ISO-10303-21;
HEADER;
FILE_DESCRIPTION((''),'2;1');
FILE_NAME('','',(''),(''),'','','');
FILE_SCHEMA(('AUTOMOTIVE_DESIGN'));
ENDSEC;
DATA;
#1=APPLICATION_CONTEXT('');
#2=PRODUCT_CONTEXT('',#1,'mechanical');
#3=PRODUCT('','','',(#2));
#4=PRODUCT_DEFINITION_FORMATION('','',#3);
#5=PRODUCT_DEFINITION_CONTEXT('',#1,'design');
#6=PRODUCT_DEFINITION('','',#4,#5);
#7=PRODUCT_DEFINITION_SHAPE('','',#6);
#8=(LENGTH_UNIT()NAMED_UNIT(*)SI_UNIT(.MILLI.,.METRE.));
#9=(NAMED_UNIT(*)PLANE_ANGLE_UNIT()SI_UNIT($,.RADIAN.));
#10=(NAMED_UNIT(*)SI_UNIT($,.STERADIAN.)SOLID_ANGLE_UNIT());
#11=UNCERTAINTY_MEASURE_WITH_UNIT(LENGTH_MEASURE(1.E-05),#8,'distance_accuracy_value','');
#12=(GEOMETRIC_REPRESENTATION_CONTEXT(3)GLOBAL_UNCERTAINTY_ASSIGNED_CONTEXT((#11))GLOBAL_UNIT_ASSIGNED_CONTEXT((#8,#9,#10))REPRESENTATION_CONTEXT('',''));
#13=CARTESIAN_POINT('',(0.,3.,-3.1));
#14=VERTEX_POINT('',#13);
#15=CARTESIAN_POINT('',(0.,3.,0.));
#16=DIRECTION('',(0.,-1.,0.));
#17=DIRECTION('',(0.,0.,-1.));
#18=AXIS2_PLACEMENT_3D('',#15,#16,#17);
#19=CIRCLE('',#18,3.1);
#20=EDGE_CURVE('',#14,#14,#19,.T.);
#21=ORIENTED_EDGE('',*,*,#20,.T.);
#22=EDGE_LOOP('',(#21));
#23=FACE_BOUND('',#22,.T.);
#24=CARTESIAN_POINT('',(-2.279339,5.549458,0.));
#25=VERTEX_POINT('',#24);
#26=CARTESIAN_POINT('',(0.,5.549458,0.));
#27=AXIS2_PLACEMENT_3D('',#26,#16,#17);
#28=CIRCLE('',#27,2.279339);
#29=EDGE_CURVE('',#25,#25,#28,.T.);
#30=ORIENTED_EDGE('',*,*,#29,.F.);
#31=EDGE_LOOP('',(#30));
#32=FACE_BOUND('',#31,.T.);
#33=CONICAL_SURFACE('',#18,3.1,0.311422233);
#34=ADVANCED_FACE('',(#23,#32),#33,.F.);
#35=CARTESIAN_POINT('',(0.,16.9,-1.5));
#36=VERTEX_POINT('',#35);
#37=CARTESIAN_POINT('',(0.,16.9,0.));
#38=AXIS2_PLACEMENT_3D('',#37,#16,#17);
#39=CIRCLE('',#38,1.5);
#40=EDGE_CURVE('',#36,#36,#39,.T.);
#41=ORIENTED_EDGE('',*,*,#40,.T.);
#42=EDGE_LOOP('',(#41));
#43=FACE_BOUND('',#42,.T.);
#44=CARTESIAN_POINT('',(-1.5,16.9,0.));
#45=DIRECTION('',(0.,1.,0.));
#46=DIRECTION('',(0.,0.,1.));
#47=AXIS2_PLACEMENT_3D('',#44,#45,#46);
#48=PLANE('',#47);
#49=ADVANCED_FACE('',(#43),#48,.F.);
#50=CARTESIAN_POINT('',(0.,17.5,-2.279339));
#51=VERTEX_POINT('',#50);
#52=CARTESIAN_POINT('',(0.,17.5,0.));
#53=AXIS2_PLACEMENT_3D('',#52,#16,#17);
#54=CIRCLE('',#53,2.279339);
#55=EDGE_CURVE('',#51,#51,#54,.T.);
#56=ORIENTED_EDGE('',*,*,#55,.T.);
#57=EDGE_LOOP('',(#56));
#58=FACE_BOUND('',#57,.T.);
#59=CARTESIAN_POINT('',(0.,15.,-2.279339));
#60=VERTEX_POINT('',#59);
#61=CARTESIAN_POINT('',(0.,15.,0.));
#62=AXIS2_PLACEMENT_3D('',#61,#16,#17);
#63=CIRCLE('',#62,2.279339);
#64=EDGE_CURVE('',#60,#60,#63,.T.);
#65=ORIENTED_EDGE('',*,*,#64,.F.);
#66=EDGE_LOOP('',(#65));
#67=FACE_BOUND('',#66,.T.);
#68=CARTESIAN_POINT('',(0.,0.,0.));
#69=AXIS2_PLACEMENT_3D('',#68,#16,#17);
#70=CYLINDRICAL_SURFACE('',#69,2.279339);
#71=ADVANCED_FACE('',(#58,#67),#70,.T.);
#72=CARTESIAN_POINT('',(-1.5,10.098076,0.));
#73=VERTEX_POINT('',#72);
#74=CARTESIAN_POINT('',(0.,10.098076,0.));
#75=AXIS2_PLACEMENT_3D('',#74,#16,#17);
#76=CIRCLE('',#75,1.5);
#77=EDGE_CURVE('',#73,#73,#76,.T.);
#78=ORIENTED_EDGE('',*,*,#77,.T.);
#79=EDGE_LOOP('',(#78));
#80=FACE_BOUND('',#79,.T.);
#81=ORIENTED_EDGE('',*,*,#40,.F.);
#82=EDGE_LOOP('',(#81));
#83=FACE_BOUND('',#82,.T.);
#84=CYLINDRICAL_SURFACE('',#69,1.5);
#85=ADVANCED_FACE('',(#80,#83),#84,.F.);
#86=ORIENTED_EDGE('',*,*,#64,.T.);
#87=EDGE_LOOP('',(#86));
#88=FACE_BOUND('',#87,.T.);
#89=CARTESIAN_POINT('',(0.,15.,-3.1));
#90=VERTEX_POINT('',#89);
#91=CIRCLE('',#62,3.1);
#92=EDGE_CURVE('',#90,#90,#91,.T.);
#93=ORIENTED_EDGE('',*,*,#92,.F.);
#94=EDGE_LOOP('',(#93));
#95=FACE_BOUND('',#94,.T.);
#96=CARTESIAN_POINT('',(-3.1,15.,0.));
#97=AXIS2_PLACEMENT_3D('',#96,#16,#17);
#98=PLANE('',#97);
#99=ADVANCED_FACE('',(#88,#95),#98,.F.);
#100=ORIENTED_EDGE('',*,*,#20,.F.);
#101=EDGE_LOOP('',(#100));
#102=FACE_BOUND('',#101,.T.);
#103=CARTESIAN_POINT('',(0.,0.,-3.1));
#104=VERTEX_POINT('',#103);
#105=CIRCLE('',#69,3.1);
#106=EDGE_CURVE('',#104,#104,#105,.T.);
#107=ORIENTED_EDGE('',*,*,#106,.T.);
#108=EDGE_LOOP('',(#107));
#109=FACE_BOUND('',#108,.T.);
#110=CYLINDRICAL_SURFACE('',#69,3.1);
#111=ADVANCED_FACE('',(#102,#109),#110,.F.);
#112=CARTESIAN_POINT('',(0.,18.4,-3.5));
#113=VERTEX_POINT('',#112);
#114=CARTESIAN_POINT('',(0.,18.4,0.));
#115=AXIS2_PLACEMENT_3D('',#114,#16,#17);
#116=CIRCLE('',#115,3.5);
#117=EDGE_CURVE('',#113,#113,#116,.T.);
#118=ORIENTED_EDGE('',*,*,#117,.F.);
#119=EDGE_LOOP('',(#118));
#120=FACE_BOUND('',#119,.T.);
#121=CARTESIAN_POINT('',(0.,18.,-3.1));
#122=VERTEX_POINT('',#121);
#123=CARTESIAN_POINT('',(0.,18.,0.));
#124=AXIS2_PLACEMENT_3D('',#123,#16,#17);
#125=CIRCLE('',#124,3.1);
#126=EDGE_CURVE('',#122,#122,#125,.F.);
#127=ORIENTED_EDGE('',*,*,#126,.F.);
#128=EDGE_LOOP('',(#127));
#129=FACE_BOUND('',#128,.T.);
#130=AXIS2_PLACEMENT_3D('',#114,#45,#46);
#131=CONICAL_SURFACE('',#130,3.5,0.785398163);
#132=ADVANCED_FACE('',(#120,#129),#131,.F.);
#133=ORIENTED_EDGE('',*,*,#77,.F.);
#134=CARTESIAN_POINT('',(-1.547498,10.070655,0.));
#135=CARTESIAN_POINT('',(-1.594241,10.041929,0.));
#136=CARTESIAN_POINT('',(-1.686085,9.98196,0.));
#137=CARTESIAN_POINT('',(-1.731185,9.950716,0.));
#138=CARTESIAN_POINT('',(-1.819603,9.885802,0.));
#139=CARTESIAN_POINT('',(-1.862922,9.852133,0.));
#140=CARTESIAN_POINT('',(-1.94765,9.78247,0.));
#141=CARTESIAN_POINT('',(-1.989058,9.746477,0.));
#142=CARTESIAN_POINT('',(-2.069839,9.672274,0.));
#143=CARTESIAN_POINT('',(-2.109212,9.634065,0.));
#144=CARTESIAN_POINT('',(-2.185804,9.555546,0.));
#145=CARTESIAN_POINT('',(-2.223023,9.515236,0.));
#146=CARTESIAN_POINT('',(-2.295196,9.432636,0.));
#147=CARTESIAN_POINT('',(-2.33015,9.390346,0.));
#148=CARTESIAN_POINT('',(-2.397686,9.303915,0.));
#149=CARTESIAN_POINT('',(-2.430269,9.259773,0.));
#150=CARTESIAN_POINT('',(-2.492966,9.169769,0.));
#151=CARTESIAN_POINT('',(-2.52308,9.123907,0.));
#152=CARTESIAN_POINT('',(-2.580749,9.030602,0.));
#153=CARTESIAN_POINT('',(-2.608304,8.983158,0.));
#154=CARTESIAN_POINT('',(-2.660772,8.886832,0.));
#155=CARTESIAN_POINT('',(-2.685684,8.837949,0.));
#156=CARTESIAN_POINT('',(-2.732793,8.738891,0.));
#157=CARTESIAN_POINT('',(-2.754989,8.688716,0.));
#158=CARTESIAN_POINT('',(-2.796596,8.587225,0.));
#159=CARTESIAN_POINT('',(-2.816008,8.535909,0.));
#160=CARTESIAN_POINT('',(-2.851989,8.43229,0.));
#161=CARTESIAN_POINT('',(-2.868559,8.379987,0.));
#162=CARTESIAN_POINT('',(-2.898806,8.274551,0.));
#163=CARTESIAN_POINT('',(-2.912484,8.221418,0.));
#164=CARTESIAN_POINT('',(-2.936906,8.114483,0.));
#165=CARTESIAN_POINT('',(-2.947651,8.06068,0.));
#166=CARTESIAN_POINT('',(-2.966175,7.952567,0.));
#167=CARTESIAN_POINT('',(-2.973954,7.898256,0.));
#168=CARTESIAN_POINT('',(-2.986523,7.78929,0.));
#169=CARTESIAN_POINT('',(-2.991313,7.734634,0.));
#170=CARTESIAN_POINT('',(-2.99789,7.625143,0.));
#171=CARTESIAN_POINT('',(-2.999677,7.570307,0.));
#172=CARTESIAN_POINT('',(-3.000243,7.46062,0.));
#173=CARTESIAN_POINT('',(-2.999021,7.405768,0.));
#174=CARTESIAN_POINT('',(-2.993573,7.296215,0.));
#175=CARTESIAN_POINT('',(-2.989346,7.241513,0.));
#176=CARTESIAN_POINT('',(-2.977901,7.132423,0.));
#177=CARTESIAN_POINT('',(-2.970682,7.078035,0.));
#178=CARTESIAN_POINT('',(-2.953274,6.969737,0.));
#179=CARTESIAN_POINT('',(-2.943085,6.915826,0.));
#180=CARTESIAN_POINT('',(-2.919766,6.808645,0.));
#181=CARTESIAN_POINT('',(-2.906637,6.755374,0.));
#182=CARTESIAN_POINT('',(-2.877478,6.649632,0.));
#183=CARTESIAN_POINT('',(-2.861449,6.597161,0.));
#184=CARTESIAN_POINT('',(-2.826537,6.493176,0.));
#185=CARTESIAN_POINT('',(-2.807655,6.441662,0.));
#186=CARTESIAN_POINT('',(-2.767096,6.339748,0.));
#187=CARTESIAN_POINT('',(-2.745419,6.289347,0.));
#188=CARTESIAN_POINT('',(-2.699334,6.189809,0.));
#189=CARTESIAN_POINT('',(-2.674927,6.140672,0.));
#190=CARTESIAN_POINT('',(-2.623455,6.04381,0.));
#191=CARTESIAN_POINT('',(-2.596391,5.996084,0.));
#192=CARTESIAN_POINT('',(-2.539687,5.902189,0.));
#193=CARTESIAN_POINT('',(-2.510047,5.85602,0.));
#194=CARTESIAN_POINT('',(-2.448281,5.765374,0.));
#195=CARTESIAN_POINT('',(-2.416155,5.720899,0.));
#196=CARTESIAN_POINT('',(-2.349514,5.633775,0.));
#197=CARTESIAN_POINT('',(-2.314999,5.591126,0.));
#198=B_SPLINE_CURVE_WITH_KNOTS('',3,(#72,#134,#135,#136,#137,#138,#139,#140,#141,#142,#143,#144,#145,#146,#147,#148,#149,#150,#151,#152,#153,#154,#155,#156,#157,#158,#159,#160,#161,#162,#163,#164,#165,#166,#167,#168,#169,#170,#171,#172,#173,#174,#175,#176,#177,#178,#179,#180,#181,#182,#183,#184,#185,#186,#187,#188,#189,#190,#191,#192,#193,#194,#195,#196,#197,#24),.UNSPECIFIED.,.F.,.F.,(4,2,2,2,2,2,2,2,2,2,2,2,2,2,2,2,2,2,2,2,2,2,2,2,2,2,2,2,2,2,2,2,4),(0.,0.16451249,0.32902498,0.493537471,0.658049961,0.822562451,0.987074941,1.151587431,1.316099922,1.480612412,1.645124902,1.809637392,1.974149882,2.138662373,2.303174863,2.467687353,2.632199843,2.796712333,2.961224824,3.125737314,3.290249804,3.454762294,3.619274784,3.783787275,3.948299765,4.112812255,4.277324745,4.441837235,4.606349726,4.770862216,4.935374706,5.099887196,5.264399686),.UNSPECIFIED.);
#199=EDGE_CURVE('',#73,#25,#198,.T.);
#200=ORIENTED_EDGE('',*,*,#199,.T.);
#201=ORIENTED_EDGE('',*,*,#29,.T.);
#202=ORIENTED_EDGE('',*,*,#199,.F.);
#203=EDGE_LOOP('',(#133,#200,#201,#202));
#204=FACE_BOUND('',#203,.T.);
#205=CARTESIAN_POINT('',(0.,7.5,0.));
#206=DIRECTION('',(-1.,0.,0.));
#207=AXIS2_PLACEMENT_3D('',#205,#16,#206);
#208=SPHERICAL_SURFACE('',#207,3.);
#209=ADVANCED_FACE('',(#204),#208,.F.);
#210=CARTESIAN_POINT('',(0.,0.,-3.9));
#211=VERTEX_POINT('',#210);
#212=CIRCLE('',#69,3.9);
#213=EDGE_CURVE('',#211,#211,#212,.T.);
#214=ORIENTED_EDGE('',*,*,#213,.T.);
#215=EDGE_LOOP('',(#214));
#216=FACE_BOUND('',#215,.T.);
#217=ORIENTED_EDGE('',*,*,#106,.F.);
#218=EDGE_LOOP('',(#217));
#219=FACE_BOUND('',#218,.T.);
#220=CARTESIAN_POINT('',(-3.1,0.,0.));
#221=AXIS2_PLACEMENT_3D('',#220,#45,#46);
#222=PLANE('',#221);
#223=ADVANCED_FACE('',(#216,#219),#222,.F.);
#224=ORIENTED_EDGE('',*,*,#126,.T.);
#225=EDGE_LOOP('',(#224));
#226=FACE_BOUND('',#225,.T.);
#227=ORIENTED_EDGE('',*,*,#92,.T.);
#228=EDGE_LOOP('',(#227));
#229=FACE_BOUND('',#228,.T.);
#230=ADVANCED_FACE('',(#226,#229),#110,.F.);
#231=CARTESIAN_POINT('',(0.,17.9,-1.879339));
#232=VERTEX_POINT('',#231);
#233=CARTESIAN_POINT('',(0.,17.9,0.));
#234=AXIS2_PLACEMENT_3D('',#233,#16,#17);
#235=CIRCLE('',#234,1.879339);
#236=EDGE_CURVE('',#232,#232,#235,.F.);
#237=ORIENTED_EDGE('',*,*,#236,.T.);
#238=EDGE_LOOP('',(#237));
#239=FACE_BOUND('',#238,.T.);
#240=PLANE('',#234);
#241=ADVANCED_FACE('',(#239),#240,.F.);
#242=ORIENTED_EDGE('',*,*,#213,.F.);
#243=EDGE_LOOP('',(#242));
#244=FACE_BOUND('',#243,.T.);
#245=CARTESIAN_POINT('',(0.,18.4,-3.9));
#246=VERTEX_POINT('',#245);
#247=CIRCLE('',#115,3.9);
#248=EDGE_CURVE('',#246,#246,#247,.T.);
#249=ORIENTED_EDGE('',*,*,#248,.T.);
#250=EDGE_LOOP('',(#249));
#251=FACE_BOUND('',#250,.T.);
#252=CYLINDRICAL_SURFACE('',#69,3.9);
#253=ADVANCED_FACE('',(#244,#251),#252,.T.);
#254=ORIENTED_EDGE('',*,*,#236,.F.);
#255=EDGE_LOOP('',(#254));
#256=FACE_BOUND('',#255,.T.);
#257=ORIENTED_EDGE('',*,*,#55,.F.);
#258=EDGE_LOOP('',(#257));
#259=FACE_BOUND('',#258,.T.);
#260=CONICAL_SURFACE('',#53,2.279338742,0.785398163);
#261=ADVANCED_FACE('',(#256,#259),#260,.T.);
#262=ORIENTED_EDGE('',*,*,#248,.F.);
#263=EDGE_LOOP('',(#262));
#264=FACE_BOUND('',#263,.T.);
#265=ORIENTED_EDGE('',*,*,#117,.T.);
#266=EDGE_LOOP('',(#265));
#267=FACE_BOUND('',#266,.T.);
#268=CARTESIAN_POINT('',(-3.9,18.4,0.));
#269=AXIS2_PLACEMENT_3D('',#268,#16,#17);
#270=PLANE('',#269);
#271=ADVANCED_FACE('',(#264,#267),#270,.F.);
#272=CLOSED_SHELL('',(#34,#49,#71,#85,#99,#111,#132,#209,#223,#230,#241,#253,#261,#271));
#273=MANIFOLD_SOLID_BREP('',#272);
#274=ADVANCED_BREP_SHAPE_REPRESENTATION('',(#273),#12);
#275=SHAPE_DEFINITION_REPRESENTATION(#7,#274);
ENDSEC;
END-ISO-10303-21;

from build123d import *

# Parameters (mm, degrees)
CHANFREIN1_SIZE = 0.4
CHANFREIN2_SIZE = 0.4


with BuildPart() as part:
    # Esquisse1 → Base-Révolution (revolve)
    with BuildSketch(Plane.XY, mode=Mode.PRIVATE) as base_r_volution_sk:
        with BuildLine():
            Line((-3.1, 0), (-3.9, 0))
            Line((-3.9, 0), (-3.9, 18.4))
            Line((-3.9, 18.4), (-3.1, 18.4))
            Line((-3.1, 18.4), (-3.1, 17.6))
            Line((-3.1, 17.6), (-3.1, 15))
            Line((-3.1, 15), (-2.279338742, 15))
            Line((-2.279338742, 15), (-2.279338742, 17.9))
            Line((-2.279338742, 17.9), (0, 17.9))
            Line((0, 17.9), (0, 16.9))
            Line((0, 16.9), (-1.5, 16.9))
            Line((-1.5, 16.9), (-1.5, 10.098076211))
            ThreePointArc((-1.5, 10.098076211), (-2.956912699, 8.006623421), (-2.279338742, 5.549457793))
            Line((-2.279338742, 5.549457793), (-3.1, 3))
            Line((-3.1, 3), (-3.1, 0.8))
            Line((-3.1, 0.8), (-3.1, 0))
        make_face()
    revolve(base_r_volution_sk.sketch.rotate(Axis((0, 0, 0), (0, 1, 0)), 270), axis=Axis((0, 0, 0), (0, 1, 0)))

    # Chanfrein1
    chanfrein1_edges = [part.edges().sort_by_distance(p)[0] for p in [
        (0, 18.4, 3.1),
    ]]
    chamfer(chanfrein1_edges, length=CHANFREIN1_SIZE)

    # Chanfrein2
    chanfrein2_edges = [part.edges().sort_by_distance(p)[0] for p in [
        (0, 17.9, 2.279338742),
    ]]
    chamfer(chanfrein2_edges, length=CHANFREIN2_SIZE)


solid = part.part
